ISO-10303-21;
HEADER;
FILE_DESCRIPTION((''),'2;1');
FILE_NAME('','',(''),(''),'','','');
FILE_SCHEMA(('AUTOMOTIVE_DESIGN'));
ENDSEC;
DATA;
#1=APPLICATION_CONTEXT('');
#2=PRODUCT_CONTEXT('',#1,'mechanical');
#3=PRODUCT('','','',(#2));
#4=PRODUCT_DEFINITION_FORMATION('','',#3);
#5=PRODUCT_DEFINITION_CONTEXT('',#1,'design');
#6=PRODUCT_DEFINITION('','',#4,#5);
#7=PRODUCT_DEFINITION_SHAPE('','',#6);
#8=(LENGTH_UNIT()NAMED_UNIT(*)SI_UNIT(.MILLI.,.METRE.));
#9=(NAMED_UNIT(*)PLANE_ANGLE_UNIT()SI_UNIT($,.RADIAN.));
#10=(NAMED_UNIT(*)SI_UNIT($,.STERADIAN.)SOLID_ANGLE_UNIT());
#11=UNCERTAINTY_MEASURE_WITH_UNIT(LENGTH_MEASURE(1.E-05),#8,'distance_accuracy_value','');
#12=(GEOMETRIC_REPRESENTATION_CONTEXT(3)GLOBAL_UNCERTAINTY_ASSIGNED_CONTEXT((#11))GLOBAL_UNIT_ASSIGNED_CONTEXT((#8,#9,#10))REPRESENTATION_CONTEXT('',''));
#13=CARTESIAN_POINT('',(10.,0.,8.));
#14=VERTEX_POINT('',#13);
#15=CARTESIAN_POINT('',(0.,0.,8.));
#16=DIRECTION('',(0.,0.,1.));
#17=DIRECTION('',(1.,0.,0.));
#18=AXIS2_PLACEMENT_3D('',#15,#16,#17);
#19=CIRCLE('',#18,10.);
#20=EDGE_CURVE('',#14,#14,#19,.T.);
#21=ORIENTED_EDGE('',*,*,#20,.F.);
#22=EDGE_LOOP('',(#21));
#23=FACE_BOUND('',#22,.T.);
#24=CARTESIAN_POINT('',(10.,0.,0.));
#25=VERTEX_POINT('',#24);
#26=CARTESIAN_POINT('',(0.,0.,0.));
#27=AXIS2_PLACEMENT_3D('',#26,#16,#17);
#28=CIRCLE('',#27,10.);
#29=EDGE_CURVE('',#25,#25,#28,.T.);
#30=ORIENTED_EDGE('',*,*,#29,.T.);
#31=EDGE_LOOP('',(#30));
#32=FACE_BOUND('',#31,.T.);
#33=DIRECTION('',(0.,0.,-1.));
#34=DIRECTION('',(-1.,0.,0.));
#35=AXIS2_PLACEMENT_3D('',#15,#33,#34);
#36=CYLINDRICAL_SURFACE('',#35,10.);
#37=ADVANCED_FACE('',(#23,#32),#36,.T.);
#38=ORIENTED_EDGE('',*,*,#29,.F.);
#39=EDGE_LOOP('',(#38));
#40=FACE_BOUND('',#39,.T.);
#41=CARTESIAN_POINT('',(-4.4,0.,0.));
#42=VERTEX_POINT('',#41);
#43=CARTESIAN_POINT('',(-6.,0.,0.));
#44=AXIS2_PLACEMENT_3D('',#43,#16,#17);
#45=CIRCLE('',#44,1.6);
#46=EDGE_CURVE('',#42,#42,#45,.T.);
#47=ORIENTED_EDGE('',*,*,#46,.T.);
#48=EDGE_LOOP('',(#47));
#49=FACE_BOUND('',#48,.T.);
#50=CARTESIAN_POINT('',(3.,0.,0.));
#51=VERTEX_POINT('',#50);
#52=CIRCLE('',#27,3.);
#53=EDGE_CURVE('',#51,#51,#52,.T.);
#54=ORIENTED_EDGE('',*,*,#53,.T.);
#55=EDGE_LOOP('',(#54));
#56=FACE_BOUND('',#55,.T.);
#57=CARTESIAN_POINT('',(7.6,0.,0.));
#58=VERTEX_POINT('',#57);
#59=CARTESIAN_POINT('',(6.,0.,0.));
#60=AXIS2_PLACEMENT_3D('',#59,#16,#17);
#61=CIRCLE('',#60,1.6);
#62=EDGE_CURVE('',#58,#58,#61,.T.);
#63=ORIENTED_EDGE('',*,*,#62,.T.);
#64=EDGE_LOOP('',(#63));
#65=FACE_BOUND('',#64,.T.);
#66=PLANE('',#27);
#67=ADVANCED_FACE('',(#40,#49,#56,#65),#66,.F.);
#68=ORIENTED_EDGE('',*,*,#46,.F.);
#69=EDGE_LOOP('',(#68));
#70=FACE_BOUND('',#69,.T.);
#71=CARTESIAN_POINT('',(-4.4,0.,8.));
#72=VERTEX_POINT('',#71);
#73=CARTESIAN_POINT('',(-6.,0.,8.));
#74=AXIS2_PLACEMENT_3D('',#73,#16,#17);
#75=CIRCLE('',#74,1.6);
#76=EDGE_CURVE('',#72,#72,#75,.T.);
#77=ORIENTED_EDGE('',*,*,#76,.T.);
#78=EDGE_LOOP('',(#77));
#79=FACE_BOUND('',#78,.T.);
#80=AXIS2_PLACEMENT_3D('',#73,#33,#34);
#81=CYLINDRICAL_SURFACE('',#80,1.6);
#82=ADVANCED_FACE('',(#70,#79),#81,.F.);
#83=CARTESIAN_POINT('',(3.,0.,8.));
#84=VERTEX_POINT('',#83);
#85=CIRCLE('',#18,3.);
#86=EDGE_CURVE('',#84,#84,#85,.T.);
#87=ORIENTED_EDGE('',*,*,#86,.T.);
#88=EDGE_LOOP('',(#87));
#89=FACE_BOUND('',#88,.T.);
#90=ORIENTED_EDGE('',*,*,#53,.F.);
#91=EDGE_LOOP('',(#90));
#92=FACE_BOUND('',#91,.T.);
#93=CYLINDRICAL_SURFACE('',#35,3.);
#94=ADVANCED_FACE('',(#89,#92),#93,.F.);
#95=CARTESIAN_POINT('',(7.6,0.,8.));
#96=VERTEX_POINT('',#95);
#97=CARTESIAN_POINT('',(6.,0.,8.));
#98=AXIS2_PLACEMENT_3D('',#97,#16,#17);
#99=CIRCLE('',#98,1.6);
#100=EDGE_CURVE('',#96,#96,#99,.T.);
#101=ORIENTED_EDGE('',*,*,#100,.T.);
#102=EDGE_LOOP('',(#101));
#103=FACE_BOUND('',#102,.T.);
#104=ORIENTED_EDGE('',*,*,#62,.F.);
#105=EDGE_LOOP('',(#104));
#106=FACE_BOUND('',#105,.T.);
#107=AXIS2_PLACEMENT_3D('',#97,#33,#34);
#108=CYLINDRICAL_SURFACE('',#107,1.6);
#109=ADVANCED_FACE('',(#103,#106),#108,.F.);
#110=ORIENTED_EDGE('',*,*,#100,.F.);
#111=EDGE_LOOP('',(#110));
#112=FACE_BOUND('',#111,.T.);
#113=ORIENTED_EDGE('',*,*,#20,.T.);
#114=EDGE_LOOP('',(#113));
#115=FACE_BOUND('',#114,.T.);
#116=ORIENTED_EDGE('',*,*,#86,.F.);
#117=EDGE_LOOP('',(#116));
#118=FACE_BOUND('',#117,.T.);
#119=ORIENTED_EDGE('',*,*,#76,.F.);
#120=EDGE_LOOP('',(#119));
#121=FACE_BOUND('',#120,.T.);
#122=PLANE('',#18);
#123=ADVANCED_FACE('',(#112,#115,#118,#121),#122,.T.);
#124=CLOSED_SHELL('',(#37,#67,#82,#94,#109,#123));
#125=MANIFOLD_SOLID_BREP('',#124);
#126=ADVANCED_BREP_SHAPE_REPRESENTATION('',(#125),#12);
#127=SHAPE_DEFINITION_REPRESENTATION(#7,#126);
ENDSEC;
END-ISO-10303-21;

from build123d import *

# Parameters (mm, degrees)
SKETCH_1_R      = 10
SKETCH_1_R_2    = 3
SKETCH_1_R_3    = 1.6
EXTRUDE_1_DEPTH = 8


with BuildPart() as part:
    # ｽｹｯﾁ1 → ﾎﾞｽ - 押し出し1 (new body)
    with BuildSketch(Plane.XY):
        Circle(SKETCH_1_R)
        Circle(SKETCH_1_R_2, mode=Mode.SUBTRACT)
        with Locations((-6, 0)):
            Circle(SKETCH_1_R_3, mode=Mode.SUBTRACT)
        with Locations((6, 0)):
            Circle(SKETCH_1_R_3, mode=Mode.SUBTRACT)
    extrude(amount=EXTRUDE_1_DEPTH)


solid = part.part
